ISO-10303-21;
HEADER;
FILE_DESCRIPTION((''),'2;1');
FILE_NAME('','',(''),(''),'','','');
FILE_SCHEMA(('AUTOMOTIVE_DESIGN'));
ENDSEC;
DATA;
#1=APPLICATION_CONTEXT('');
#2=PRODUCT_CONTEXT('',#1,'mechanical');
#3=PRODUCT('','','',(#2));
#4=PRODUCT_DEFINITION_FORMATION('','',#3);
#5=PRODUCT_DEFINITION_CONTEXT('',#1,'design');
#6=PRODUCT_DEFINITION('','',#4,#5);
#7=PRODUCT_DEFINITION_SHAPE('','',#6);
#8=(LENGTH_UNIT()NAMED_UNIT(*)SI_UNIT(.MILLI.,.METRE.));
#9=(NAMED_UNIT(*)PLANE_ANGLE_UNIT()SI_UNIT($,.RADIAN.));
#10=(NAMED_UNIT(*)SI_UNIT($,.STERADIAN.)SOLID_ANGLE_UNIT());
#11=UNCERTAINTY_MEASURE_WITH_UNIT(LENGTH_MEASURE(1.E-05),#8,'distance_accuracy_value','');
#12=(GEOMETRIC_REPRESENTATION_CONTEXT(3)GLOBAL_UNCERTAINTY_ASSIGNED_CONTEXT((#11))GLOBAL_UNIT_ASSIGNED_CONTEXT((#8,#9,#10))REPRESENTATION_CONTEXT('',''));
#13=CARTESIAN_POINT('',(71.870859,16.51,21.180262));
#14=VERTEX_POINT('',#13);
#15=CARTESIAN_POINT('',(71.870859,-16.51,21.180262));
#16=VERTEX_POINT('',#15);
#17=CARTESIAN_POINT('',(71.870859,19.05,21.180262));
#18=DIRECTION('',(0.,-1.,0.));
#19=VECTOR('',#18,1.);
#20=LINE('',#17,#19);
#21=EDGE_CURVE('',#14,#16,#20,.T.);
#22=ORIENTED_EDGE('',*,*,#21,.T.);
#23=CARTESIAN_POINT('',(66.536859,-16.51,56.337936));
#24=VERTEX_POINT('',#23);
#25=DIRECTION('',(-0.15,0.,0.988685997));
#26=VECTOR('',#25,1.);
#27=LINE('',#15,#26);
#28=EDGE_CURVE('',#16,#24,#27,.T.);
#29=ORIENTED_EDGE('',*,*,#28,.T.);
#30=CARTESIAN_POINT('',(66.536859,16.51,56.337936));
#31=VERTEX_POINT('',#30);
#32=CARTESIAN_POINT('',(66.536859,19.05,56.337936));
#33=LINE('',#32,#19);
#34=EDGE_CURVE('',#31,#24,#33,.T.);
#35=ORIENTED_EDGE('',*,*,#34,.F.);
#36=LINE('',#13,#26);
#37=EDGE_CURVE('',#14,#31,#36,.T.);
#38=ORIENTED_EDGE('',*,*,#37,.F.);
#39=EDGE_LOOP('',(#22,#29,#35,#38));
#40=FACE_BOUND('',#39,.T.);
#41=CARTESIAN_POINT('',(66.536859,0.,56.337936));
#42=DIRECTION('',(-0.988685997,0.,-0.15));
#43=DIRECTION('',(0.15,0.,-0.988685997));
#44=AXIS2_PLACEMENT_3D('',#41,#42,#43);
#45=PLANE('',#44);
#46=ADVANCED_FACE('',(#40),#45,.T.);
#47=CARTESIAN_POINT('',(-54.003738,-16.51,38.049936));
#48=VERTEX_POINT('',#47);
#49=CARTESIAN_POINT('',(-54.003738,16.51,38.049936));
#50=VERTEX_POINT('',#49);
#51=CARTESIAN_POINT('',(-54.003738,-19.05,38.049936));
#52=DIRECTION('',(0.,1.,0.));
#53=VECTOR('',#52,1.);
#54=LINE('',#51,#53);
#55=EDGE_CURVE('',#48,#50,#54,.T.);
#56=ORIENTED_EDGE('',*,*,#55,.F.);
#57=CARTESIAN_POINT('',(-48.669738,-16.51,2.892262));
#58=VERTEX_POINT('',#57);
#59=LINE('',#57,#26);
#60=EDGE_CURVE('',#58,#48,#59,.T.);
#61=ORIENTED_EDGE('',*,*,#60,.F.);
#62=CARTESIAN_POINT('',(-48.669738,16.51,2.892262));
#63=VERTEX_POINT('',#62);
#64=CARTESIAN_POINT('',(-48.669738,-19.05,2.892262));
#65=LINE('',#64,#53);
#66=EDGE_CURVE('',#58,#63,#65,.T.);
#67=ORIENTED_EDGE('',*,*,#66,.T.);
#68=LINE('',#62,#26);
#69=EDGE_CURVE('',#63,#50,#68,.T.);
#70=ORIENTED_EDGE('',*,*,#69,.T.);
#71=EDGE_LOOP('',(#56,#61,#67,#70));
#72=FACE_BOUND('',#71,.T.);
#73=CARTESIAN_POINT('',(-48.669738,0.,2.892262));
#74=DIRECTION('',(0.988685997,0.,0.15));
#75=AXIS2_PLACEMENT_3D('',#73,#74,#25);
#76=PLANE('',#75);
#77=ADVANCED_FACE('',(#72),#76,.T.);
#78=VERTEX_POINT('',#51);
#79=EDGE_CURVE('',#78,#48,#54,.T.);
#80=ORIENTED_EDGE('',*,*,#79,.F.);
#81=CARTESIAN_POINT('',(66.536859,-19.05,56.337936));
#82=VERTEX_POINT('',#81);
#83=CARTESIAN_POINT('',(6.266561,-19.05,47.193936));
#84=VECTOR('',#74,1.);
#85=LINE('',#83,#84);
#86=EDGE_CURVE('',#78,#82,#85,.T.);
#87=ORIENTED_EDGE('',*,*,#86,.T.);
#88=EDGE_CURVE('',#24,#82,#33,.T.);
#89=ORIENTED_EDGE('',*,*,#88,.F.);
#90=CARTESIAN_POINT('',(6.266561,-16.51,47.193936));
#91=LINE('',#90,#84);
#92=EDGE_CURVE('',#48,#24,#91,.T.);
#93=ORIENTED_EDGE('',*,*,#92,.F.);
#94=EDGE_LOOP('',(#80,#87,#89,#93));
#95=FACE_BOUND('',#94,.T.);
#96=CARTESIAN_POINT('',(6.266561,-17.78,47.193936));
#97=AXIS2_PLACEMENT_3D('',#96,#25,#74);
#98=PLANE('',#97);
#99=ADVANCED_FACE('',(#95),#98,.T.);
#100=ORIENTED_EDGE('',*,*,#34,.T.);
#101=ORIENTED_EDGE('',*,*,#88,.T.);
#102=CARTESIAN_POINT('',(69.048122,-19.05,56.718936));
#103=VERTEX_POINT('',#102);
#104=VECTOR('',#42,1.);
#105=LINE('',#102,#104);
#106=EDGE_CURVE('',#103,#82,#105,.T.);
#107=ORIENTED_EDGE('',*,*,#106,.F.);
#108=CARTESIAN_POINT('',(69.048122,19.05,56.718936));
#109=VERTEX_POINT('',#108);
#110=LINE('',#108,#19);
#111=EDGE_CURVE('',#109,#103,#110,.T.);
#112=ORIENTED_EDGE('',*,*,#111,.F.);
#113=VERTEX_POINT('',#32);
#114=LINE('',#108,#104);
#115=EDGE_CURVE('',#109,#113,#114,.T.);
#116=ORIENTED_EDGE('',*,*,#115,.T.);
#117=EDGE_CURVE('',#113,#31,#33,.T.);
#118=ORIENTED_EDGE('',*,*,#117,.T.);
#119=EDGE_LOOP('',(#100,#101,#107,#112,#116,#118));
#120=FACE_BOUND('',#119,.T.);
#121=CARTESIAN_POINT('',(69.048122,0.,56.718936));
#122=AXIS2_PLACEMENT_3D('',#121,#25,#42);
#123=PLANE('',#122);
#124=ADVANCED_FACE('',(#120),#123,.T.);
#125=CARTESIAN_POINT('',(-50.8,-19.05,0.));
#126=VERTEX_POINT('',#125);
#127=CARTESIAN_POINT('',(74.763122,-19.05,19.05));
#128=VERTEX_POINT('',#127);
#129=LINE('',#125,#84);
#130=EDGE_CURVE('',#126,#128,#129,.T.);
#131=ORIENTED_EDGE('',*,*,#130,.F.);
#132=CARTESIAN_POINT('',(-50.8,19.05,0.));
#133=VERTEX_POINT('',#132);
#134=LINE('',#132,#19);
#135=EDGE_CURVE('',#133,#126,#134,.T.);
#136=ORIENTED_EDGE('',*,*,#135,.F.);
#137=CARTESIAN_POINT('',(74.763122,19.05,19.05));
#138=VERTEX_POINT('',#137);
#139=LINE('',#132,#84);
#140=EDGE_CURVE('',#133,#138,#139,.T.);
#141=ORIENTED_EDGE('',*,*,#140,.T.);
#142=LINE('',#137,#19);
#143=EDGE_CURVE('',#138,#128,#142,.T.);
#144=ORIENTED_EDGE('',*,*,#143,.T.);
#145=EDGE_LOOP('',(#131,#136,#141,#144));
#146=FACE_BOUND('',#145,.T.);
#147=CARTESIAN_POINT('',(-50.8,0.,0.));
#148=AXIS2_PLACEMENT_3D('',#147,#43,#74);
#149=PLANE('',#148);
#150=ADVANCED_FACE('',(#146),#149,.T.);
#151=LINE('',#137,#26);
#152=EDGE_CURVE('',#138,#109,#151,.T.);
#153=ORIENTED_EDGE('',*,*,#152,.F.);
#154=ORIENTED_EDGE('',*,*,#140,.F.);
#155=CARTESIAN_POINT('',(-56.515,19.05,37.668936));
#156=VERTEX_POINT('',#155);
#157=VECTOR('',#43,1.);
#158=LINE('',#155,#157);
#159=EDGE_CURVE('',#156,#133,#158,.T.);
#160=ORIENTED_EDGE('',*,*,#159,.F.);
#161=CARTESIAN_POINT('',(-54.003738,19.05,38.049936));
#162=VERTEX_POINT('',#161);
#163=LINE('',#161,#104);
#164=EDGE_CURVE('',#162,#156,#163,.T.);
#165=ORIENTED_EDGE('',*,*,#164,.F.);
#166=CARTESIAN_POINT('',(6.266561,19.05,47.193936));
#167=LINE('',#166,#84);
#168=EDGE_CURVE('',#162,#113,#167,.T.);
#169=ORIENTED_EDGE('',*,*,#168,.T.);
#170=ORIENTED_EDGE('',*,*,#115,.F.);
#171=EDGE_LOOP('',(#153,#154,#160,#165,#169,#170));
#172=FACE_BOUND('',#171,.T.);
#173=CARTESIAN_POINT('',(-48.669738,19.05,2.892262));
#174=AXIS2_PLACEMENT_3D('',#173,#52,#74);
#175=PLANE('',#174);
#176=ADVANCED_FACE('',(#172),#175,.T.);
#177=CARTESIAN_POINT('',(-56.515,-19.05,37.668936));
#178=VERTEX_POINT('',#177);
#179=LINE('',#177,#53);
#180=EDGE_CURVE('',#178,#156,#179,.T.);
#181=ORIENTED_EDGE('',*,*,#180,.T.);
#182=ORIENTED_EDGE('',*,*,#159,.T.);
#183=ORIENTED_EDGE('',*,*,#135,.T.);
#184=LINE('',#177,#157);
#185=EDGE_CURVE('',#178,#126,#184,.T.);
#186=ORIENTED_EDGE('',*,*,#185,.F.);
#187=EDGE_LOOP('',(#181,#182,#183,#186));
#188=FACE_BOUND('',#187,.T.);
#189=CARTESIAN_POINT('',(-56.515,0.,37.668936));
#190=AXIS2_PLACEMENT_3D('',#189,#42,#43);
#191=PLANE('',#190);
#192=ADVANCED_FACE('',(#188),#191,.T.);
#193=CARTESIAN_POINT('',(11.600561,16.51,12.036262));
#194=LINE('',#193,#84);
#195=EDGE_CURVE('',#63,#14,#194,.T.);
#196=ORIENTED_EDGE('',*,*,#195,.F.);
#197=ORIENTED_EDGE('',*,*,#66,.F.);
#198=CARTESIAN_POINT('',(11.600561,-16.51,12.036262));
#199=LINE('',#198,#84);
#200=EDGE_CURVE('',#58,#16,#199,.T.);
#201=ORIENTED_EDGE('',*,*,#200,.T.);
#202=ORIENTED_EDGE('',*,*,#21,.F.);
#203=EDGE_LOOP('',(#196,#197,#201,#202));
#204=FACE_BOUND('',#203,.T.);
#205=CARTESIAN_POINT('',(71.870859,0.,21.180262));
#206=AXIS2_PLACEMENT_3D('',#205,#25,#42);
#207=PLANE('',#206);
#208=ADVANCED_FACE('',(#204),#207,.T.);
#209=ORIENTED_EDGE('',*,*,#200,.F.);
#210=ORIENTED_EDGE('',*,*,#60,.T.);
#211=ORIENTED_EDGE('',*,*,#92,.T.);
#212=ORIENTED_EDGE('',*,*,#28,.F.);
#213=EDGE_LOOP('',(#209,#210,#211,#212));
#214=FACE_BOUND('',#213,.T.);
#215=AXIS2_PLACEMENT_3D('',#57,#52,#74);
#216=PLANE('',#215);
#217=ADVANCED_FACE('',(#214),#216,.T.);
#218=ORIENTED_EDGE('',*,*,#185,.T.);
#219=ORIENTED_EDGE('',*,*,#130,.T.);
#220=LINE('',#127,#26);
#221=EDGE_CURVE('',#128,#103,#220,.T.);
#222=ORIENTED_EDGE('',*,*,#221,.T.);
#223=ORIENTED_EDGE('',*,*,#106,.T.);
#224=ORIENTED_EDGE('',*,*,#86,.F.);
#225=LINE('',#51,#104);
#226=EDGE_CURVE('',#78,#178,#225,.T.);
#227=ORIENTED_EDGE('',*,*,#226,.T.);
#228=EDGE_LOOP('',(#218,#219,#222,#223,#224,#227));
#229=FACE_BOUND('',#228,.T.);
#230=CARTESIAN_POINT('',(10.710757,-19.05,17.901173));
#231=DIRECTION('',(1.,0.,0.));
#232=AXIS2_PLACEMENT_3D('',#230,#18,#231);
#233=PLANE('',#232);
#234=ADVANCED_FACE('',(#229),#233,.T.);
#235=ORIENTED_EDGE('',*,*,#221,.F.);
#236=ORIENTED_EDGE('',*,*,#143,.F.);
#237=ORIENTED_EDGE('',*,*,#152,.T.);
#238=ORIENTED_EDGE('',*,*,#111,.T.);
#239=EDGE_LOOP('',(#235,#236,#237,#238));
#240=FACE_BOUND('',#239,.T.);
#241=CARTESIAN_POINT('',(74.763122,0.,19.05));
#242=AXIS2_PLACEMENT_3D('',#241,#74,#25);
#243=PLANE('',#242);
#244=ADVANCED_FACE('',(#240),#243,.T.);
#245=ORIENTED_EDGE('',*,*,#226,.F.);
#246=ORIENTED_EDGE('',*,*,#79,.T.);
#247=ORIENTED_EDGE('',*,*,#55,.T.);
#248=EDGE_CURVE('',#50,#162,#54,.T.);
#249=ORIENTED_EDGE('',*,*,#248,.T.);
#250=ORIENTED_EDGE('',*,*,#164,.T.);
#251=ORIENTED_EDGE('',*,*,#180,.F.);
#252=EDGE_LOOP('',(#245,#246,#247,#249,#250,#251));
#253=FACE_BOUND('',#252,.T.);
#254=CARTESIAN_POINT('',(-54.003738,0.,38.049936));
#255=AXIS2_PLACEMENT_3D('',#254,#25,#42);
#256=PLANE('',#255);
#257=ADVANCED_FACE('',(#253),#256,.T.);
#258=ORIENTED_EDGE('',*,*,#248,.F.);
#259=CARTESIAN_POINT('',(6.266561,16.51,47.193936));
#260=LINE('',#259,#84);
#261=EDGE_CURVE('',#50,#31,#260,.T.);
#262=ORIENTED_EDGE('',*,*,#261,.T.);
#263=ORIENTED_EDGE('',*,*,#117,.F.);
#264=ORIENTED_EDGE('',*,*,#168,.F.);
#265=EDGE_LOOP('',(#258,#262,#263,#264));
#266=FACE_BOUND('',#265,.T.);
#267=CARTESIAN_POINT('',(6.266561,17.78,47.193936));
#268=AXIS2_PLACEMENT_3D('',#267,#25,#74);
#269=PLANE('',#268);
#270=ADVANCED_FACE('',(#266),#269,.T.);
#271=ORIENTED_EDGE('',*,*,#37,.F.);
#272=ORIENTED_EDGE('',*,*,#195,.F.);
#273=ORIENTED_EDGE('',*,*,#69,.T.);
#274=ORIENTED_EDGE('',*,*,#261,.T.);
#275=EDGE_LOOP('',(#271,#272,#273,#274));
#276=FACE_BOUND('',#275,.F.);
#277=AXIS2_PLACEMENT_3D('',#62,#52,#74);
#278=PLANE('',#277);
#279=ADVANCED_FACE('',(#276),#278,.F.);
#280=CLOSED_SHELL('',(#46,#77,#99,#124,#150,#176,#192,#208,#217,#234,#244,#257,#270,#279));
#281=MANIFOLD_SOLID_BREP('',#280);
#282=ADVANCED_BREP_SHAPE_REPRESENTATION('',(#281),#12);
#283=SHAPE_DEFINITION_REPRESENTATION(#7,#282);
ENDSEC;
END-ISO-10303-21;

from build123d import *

# Parameters (mm, degrees)
F1_DEPTH = 19.05
F2_W     = 121.92
F2_H     = 2.54
F3_DEPTH = 35.56


with BuildPart() as f1:
    # F0 (on Front) → F1 (new body, symmetric)
    with BuildSketch(Plane.XZ):
        Polygon((-56.515, 37.6689364729), (-50.8, 0), (74.7631215764, 19.05), (69.0481215764, 56.7189364729), (66.5368591448, 56.3379364729), (71.8708591448, 21.1802624315), (-48.6697375685, 2.8922624315), (-54.0037375685, 38.0499364729), align=None)
    extrude(amount=F1_DEPTH, both=True)

    # F2 (on face) → F3 (join)
    with BuildSketch(Plane(origin=(-1.524, 0, 10.0450497261), x_dir=(0.9886859967, 0, 0.15), z_dir=(-0.15, 0, 0.9886859967))):
        with Locations((13.2747513695, 17.78)):
            Rectangle(F2_W, F2_H)
        with Locations((13.2747513695, -17.78)):
            Rectangle(F2_W, F2_H)
    extrude(amount=F3_DEPTH)


solid = f1.part
